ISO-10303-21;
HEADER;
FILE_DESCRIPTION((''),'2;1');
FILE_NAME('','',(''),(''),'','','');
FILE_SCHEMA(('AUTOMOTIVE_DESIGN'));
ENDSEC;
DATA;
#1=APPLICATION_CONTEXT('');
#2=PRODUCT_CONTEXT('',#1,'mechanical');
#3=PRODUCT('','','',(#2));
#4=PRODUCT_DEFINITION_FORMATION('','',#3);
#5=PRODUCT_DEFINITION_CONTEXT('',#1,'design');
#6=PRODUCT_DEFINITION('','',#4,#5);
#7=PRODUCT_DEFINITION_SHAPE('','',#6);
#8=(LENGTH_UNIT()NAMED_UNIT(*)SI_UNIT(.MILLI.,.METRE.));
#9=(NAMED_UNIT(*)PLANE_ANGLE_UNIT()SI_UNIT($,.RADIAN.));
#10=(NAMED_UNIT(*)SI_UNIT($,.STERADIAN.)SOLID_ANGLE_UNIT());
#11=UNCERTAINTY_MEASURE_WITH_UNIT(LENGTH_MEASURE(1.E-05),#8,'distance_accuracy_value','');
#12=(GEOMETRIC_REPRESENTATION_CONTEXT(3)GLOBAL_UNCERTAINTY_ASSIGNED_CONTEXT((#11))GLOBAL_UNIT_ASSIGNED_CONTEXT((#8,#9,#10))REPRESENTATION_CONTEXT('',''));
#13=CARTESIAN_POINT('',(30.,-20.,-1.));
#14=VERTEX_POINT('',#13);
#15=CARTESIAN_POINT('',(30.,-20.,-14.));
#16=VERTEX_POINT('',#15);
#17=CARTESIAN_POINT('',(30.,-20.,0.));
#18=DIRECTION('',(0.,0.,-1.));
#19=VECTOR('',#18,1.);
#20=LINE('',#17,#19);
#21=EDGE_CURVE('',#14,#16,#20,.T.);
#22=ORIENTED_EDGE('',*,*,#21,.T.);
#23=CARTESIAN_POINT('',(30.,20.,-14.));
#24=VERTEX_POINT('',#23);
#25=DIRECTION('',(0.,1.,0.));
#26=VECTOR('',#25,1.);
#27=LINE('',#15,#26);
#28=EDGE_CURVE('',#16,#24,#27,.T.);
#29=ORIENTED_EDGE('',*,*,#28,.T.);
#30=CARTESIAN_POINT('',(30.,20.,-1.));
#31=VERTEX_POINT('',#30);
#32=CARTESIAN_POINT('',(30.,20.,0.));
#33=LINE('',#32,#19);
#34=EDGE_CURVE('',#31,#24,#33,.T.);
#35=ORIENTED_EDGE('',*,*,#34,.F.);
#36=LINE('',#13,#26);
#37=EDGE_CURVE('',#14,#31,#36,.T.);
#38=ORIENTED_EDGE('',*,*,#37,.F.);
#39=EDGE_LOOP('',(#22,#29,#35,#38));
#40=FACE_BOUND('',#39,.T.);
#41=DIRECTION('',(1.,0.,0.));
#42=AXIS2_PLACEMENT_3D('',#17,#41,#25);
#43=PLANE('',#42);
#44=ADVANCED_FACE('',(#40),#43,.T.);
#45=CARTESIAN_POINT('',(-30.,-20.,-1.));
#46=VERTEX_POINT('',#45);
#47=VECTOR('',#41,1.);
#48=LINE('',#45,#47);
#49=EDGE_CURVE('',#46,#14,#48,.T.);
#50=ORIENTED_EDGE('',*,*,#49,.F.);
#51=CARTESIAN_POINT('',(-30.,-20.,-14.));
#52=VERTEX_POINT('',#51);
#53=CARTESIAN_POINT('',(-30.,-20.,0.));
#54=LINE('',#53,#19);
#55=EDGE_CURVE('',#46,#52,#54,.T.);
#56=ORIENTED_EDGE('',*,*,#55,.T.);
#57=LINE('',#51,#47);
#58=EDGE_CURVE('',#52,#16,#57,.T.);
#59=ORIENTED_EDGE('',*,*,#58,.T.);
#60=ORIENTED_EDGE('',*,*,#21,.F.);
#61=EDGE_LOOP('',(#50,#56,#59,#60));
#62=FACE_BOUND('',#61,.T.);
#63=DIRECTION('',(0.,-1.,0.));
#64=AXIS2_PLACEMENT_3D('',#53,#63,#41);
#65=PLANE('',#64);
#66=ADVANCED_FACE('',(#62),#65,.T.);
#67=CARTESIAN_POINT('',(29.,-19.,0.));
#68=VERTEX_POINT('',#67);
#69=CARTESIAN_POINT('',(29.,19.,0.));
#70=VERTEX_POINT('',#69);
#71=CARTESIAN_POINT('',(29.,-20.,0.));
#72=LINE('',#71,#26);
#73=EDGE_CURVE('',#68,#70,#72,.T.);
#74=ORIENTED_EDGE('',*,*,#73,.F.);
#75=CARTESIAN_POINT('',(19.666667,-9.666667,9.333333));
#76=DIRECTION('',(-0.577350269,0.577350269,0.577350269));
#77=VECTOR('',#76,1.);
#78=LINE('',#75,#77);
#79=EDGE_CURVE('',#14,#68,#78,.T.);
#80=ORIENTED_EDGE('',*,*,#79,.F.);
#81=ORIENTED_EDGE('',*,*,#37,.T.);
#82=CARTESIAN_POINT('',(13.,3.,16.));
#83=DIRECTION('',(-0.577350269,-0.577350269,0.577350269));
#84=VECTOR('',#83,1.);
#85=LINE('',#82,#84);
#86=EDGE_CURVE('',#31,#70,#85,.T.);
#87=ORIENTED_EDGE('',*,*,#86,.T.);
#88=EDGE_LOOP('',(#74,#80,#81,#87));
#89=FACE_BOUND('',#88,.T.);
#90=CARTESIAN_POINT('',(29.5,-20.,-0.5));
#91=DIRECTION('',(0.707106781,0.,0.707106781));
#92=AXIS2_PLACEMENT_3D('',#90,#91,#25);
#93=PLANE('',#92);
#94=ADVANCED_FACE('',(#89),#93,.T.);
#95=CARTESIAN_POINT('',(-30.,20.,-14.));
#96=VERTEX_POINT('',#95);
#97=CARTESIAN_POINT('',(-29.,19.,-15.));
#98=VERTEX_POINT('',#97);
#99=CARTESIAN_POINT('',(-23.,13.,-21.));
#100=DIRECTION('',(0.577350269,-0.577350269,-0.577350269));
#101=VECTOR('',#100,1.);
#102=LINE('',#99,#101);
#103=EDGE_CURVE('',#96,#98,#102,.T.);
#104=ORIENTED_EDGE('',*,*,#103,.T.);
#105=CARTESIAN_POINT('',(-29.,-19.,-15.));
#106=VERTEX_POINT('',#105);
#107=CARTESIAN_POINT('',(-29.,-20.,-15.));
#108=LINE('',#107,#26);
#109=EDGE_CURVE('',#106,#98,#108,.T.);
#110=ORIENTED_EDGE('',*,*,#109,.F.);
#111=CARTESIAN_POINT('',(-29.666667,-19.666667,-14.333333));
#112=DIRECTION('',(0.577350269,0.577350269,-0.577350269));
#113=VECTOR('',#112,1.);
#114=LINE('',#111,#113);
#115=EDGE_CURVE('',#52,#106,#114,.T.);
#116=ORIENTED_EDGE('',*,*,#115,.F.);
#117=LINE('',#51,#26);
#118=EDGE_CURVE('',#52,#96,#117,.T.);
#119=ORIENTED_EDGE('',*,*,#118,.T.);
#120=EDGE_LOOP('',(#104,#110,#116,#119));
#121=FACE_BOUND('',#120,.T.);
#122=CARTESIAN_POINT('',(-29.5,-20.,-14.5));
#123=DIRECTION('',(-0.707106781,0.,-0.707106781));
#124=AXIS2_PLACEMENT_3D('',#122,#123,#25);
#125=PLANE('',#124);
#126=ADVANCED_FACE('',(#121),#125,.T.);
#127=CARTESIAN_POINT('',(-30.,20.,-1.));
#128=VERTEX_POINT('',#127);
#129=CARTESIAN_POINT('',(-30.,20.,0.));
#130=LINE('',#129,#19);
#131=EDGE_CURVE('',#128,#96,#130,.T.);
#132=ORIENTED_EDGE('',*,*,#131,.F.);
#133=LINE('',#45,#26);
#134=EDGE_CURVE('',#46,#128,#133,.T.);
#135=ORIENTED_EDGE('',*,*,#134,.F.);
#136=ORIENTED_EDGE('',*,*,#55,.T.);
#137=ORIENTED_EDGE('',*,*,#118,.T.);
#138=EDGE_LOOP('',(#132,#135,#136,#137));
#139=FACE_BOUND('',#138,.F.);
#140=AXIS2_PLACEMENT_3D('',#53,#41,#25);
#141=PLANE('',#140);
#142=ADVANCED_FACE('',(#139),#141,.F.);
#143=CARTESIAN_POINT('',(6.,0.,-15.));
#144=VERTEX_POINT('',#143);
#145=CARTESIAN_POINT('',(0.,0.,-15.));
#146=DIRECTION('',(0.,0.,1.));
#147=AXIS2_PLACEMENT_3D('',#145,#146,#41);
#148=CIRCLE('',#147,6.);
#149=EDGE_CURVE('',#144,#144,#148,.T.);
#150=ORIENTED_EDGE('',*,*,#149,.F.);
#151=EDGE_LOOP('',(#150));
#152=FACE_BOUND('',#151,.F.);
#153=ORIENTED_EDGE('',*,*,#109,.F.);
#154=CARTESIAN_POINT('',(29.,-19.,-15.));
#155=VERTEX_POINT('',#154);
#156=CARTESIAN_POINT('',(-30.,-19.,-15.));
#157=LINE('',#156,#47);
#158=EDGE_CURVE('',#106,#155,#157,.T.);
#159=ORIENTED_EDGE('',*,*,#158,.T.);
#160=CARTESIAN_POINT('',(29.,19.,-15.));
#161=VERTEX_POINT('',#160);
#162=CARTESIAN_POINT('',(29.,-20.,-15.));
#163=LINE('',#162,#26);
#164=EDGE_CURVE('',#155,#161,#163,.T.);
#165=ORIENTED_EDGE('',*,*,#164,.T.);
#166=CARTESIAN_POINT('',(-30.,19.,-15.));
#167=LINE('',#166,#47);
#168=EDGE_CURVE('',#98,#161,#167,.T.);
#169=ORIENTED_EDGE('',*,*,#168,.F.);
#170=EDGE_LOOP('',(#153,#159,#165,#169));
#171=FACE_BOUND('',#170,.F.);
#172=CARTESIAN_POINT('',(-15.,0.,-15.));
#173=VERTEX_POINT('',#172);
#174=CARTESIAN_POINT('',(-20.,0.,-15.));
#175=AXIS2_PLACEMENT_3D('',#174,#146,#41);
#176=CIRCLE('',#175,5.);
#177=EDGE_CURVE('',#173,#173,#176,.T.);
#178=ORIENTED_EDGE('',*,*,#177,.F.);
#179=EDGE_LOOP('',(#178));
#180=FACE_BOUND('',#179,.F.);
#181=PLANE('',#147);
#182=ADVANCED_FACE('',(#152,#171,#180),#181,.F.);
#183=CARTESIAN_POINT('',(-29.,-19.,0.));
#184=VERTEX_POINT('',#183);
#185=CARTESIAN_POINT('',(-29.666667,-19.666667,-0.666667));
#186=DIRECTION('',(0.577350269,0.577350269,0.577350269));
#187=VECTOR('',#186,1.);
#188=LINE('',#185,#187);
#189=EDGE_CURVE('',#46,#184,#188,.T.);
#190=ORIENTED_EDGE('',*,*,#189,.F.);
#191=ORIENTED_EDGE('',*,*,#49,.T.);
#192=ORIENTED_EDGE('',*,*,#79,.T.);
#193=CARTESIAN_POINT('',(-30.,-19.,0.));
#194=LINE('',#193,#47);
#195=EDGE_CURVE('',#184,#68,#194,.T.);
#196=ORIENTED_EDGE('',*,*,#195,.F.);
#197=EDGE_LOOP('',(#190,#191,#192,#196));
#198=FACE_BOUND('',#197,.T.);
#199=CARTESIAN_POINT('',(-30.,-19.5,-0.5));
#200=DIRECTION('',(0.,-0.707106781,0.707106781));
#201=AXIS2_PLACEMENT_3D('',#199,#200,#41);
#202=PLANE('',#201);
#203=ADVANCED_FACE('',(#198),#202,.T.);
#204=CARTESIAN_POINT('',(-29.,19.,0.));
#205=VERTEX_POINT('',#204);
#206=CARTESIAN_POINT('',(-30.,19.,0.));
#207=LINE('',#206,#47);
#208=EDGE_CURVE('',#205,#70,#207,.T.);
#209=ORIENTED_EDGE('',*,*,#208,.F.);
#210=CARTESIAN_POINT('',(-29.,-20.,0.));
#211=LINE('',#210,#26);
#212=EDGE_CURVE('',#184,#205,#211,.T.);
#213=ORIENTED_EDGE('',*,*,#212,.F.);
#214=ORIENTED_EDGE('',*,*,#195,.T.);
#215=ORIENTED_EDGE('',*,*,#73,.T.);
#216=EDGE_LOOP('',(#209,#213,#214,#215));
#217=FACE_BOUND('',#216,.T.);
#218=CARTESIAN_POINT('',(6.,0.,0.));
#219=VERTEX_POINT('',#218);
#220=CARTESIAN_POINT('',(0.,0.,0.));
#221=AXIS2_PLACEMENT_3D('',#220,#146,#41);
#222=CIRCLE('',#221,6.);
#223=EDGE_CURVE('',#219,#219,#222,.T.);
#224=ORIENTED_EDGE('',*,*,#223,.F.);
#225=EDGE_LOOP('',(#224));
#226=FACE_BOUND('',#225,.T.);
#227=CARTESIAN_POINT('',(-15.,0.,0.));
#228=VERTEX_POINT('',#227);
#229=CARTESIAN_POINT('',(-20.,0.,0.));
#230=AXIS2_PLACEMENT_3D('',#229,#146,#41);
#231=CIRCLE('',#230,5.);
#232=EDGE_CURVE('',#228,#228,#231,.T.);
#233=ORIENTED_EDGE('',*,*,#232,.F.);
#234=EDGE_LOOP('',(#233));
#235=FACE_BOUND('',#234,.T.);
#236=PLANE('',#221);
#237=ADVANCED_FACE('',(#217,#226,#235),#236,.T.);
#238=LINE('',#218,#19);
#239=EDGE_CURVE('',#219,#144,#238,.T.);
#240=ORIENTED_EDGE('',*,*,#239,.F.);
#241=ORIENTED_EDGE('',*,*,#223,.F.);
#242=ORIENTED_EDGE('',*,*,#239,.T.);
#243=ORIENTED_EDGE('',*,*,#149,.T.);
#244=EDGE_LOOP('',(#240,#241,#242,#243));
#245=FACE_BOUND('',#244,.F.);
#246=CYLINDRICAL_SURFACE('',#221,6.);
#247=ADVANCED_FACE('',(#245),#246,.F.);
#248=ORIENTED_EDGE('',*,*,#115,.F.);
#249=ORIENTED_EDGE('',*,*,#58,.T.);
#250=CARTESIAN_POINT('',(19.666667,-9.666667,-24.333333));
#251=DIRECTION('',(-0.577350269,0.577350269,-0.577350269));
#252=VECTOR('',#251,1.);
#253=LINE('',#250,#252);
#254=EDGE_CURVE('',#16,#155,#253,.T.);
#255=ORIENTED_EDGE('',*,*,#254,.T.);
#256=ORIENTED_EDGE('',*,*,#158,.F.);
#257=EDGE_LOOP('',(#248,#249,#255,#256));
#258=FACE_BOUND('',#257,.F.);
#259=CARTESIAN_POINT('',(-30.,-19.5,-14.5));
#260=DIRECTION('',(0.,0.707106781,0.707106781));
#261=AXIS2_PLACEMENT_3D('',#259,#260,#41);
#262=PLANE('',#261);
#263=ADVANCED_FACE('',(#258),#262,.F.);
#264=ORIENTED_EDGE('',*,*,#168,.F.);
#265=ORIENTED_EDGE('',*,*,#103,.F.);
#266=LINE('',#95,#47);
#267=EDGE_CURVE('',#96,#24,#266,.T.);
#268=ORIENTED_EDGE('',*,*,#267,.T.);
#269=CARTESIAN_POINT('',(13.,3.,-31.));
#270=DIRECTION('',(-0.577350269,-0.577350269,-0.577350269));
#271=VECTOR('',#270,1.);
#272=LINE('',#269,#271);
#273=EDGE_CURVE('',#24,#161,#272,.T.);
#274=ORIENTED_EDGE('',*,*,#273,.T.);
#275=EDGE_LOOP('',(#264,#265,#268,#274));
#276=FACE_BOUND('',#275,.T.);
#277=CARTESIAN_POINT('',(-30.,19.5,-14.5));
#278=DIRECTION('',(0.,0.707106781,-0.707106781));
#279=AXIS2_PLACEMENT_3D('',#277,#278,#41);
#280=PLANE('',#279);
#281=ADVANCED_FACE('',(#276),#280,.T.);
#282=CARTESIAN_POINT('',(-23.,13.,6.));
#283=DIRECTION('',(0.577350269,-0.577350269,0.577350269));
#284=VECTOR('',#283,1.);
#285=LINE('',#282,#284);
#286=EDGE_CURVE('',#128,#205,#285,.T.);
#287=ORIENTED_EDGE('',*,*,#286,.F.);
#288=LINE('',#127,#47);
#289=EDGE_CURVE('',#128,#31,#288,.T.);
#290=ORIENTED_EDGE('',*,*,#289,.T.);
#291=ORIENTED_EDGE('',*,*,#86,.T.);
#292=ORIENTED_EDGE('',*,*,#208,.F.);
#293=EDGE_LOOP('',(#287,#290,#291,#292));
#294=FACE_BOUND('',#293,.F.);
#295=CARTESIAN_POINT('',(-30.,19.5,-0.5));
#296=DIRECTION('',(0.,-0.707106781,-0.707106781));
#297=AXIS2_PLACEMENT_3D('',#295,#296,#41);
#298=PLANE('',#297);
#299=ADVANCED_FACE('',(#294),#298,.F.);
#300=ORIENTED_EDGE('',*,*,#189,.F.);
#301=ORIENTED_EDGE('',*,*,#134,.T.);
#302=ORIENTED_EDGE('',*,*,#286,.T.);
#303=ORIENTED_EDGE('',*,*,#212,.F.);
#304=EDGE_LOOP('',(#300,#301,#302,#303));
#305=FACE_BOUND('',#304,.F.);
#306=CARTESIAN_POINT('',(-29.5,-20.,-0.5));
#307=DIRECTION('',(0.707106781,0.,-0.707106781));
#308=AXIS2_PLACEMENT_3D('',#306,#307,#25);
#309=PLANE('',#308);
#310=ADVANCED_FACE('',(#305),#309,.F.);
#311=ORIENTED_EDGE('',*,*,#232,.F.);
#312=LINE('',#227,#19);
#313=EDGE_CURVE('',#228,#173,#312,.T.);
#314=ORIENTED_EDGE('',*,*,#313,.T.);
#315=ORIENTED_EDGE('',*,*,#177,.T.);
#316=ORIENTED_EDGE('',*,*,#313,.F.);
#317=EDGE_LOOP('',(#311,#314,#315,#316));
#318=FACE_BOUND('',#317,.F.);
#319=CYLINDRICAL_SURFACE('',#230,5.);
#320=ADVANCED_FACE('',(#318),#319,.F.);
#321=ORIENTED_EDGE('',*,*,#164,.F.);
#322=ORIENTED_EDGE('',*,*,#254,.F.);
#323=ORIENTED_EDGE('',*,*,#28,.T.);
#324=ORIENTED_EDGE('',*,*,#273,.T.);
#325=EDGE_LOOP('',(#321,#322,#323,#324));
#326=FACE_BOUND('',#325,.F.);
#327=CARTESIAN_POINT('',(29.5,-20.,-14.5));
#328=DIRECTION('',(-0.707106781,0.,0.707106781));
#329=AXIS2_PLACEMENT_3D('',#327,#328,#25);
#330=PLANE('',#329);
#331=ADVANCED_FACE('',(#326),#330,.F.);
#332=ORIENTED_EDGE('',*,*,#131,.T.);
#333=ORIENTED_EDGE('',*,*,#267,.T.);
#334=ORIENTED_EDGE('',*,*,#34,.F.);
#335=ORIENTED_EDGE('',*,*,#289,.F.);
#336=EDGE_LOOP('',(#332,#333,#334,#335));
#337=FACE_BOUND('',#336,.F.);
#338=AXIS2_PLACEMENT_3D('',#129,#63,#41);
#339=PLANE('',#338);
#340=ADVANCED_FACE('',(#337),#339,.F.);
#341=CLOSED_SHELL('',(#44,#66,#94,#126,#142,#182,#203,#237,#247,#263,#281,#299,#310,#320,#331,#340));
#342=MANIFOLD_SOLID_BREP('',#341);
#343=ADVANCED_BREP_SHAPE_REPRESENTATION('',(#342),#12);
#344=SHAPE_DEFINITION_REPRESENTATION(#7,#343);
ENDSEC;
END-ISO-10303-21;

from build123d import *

# Parameters (mm, degrees)
F0_W     = 60
F0_H     = 40
F1_DEPTH = 15
F2_SIZE  = 1
F3_R     = 5
F3_R_2   = 6
F4_DEPTH = 15.001


with BuildPart() as f1:
    # F0 (on Top) → F1 (new body)
    with BuildSketch(Plane.XY):
        Rectangle(F0_W, F0_H)
    extrude(amount=-F1_DEPTH)

    # F2
    f2_edges = [f1.edges().sort_by_distance(p)[0] for p in [
        (30, 0, 0),
        (0, 20, 0),
        (-30, 0, 0),
        (0, -20, 0),
        (30, 0, -15),
        (0, 20, -15),
        (-30, 0, -15),
        (0, -20, -15),
    ]]
    chamfer(f2_edges, length=F2_SIZE)

    # F3 (on face) → F4 (cut, through all)
    with BuildSketch(Plane.XY):
        with Locations((-20, 0)):
            Circle(F3_R)
        Circle(F3_R_2)
    extrude(amount=-F4_DEPTH, mode=Mode.SUBTRACT)


solid = f1.part
